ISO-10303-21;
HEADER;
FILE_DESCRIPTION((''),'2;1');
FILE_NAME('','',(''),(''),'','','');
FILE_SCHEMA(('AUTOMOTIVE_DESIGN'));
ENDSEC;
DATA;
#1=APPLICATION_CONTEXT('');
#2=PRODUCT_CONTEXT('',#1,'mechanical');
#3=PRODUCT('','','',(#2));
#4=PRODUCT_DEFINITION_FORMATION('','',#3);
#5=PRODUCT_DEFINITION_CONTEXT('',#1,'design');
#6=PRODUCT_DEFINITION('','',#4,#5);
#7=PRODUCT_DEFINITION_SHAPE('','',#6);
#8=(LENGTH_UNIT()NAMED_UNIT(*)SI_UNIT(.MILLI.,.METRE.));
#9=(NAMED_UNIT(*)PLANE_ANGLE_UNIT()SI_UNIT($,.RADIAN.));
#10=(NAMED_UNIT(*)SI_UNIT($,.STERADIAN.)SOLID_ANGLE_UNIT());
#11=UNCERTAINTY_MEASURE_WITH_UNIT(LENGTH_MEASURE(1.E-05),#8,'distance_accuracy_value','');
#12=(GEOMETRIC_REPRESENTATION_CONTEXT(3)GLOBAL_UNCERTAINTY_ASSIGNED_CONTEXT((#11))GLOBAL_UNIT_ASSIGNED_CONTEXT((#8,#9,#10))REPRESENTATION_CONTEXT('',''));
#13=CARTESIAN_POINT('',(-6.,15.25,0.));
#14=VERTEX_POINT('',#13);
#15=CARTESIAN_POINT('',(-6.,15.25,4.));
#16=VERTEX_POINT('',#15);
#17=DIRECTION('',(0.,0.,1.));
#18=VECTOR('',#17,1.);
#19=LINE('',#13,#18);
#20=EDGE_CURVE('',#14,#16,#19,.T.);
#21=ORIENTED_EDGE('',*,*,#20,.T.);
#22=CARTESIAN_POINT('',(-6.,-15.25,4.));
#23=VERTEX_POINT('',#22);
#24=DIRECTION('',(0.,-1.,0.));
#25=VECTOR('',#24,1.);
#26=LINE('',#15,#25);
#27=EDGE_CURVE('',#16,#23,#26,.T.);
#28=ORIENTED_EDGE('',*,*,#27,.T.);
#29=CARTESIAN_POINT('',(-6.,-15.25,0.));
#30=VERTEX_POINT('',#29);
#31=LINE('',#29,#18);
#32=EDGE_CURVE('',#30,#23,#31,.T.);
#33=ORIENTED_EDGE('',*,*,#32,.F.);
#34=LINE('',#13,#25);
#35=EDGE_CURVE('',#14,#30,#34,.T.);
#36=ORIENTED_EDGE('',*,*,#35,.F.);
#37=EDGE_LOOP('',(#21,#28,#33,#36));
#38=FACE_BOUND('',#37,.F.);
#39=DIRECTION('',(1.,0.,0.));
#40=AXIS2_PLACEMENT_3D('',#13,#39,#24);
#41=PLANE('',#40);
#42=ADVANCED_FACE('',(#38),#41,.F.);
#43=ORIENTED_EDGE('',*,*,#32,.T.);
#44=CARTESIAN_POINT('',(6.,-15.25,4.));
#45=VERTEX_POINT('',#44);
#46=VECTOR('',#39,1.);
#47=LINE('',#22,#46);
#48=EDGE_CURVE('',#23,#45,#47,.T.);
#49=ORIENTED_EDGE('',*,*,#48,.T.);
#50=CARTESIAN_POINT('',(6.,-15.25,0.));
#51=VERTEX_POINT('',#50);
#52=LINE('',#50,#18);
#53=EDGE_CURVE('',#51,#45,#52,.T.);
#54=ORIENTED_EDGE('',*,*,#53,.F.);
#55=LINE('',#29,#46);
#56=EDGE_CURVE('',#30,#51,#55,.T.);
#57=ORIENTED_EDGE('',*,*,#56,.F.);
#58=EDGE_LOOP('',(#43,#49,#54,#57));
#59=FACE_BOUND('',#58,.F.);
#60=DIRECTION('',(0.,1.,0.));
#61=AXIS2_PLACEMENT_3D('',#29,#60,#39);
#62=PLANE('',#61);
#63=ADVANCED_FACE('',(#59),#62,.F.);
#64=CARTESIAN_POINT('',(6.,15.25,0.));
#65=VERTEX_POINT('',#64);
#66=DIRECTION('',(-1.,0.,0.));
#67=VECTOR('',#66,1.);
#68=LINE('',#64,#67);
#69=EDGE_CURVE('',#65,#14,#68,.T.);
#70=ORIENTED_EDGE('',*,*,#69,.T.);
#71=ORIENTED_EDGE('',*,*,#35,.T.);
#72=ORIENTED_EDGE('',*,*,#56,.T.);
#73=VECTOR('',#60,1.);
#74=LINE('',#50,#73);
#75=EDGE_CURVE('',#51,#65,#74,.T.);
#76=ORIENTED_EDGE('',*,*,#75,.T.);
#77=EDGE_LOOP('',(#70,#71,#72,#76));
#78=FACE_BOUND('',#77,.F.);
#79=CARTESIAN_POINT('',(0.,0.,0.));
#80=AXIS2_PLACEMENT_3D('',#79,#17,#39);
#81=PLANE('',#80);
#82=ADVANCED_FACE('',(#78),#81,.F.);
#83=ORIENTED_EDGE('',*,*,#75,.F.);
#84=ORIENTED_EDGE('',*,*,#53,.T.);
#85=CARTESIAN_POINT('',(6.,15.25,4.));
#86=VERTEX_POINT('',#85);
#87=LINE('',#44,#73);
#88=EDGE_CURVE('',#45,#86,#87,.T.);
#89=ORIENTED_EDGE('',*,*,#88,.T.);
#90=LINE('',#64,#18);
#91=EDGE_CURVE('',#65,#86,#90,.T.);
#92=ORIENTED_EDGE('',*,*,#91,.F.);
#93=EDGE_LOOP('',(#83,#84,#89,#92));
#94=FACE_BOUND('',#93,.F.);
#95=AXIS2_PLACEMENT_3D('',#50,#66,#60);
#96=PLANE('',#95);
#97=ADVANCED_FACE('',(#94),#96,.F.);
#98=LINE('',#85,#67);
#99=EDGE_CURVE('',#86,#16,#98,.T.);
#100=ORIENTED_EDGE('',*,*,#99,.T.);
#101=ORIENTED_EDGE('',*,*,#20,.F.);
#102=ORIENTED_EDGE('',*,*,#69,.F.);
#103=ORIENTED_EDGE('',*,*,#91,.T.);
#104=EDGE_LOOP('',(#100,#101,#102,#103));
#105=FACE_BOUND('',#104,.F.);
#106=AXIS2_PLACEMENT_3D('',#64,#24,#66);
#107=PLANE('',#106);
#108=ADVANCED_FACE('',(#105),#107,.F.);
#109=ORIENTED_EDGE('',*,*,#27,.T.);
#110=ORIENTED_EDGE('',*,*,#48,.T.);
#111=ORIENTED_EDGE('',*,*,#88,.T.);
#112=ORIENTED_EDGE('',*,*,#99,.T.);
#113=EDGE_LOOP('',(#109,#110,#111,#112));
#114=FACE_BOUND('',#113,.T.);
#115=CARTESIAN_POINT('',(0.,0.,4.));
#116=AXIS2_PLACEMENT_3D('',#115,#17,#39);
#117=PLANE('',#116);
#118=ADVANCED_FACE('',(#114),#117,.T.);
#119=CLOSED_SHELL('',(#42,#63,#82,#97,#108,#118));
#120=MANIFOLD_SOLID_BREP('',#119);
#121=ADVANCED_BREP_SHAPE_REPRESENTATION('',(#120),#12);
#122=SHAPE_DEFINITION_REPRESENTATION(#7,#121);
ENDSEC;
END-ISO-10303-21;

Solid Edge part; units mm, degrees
sketch "Sketch1" plane through (0, 0, 0) normal (0, 0, 1) x (1, 0, 0)
  line L0 (-6, -15.25) -> (6, -15.25)
  line L1 (6, -15.25) -> (6, 15.25)
  line L2 (6, 15.25) -> (-6, 15.25)
  line L3 (-6, 15.25) -> (-6, -15.25)
  dimension "D1" = 12
  dimension "D2" = 30.5
extrude "Protrusion1" add sketch "Sketch1" along normal blind 4
